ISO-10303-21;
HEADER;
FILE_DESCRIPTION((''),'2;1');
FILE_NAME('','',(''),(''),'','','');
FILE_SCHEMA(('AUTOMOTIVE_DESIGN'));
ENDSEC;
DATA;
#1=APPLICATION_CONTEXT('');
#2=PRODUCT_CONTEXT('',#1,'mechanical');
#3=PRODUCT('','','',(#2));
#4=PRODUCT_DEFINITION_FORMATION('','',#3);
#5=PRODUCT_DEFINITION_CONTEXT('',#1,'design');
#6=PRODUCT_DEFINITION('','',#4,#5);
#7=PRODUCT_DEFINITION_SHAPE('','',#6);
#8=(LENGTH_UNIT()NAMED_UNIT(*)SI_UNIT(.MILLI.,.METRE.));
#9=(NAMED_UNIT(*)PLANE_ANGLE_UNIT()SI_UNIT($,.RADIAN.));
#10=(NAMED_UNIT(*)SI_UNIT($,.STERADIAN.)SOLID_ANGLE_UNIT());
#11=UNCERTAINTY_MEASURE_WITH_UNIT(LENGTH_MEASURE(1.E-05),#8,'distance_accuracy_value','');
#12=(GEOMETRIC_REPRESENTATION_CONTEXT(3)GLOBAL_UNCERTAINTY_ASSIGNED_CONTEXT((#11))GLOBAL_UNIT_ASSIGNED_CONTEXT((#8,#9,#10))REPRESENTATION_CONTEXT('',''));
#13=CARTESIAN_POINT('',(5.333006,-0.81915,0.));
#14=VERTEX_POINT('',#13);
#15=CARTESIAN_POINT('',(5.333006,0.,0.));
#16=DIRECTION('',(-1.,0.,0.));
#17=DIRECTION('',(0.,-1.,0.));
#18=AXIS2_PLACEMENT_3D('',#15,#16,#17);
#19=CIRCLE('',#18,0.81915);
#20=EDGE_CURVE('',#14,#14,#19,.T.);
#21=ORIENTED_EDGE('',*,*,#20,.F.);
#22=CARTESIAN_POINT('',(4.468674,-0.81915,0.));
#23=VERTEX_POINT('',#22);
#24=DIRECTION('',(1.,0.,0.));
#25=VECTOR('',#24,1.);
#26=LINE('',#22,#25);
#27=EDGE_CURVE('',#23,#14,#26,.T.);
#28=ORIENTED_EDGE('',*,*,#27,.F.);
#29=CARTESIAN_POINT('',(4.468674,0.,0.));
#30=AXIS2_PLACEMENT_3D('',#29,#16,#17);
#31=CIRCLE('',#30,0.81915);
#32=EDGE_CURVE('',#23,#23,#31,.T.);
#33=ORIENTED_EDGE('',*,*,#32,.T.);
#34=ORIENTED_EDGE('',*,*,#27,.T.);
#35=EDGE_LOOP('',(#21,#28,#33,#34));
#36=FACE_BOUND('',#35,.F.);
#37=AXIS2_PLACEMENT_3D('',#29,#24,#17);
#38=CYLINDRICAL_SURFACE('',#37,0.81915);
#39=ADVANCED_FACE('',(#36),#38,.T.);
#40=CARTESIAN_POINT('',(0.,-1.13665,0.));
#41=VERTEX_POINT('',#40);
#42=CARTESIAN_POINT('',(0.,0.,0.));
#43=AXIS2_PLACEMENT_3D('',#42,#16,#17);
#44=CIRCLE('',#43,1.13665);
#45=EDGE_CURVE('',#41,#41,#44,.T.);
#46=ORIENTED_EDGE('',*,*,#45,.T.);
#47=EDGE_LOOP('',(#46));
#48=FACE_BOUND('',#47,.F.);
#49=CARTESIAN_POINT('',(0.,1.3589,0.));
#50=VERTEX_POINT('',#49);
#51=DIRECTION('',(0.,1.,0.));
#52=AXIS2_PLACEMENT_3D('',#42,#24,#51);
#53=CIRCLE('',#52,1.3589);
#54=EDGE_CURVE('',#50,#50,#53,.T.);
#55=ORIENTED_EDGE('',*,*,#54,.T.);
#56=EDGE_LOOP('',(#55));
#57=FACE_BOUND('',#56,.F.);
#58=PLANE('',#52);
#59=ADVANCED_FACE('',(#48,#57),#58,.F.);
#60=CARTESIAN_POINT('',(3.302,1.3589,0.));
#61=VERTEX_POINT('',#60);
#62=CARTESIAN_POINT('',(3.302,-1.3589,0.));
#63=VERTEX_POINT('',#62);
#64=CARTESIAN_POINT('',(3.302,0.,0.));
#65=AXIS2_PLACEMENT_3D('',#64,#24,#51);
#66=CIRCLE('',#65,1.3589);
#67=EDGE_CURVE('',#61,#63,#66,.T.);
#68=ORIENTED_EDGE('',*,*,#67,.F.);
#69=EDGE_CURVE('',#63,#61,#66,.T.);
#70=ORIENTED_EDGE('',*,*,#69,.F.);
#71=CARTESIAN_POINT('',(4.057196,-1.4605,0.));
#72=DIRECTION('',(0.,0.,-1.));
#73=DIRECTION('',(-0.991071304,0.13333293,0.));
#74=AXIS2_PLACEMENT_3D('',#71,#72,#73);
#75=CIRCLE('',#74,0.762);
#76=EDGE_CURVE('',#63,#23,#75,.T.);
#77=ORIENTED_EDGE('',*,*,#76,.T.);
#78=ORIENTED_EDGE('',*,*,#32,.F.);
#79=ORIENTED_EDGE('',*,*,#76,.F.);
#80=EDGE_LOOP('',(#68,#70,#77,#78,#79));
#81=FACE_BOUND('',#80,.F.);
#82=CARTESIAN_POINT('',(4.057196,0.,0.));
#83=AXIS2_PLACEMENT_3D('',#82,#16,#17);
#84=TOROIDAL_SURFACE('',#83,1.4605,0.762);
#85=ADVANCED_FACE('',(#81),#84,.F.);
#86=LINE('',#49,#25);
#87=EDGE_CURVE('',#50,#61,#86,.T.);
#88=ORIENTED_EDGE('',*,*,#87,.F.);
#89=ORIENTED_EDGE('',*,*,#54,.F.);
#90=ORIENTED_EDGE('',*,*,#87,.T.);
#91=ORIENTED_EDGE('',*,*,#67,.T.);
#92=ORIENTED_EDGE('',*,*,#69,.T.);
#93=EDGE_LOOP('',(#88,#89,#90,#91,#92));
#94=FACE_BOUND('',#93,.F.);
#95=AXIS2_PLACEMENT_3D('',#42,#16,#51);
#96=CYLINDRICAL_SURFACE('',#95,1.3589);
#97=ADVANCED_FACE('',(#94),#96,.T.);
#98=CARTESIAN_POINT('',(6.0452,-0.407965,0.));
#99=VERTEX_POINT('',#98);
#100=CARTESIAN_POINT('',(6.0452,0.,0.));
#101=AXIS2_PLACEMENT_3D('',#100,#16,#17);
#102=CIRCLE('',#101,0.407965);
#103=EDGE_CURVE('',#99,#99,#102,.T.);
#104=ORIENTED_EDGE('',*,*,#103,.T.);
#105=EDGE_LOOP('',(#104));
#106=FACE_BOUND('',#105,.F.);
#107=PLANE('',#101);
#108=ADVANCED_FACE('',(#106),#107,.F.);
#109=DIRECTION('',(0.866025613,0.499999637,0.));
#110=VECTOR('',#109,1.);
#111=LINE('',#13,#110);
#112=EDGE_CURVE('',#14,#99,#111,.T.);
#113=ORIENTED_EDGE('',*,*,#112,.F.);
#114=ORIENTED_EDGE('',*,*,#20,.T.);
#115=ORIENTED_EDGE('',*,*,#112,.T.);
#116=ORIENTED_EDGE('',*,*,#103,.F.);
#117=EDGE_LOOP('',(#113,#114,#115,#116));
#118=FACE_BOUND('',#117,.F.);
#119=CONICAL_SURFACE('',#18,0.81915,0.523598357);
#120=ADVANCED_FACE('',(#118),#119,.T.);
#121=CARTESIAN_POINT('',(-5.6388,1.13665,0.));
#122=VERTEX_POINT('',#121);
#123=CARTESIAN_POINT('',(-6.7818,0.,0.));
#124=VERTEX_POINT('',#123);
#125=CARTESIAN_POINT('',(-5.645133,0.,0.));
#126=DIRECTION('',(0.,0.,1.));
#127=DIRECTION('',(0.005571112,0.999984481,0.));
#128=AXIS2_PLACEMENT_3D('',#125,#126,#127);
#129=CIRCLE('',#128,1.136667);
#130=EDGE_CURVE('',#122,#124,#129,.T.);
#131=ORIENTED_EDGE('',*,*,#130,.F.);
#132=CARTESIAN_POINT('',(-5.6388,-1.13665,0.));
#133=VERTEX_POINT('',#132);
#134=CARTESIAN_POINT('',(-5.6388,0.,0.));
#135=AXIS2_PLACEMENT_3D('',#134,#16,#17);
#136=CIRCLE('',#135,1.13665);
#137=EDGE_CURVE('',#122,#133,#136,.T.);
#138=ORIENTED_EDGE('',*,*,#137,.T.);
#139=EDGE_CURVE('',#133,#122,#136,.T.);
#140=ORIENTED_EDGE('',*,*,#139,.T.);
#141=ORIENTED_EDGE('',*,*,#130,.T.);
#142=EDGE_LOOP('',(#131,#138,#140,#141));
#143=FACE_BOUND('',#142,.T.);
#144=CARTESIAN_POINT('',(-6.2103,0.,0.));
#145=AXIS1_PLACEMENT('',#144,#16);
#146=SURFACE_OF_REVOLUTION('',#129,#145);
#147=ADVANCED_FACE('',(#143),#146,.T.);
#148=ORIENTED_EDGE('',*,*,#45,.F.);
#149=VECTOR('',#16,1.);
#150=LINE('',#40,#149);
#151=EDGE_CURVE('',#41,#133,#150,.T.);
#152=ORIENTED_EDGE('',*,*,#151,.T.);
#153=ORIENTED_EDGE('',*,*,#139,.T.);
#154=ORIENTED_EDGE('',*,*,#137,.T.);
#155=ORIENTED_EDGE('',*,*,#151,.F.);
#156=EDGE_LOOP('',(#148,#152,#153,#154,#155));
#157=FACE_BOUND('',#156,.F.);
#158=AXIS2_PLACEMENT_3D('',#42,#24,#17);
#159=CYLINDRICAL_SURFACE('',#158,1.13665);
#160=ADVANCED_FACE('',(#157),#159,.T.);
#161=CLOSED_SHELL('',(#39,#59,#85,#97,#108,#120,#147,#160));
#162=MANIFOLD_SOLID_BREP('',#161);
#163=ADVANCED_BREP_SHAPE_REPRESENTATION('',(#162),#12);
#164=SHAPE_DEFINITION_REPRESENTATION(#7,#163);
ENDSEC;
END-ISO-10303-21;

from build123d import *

# Parameters (mm, degrees)
F0_R     = 1.3589
F1_DEPTH = 3.302
F2_R     = 1.13665
F3_DEPTH = 5.6388


with BuildPart() as f1:
    # F0 (on Right) → F1 (new body)
    with BuildSketch(Plane.YZ):
        Circle(F0_R)
    extrude(amount=F1_DEPTH)

    # F2 (on face) → F3 (join)
    with BuildSketch(Plane(origin=(0, 0, 0), x_dir=(0, -1, 0), z_dir=(-1, 0, 0))):
        Circle(F2_R)
    extrude(amount=F3_DEPTH)

    # F4 (on Top) → F5 (revolve)
    with BuildSketch(Plane.XY):
        with BuildLine():
            Line((-6.7818, 0), (-5.6388, 0))
            Line((-5.6388, 0), (-5.6388, 1.13665))
            ThreePointArc((-5.6388, 1.13665), (-6.446636, 0.805981), (-6.7818, 0))
        make_face()
    revolve(axis=Axis((-6.2103, 0, 0), (-1, 0, 0)))

    # F6 (on Top) → F7 (revolve)
    with BuildSketch(Plane.XY):
        with BuildLine():
            Line((6.0452, 0), (3.302, 0))
            Line((3.302, 0), (3.302, -1.3589))
            ThreePointArc((3.302, -1.3589), (3.737246, -0.768925), (4.468674, -0.81915))
            Line((4.468674, -0.81915), (5.333006, -0.81915))
            Line((5.333006, -0.81915), (6.0452, -0.407965))
            Line((6.0452, -0.407965), (6.0452, 0))
        make_face()
    revolve(axis=Axis((4.6736, 0, 0), (-1, 0, 0)))


solid = f1.part
